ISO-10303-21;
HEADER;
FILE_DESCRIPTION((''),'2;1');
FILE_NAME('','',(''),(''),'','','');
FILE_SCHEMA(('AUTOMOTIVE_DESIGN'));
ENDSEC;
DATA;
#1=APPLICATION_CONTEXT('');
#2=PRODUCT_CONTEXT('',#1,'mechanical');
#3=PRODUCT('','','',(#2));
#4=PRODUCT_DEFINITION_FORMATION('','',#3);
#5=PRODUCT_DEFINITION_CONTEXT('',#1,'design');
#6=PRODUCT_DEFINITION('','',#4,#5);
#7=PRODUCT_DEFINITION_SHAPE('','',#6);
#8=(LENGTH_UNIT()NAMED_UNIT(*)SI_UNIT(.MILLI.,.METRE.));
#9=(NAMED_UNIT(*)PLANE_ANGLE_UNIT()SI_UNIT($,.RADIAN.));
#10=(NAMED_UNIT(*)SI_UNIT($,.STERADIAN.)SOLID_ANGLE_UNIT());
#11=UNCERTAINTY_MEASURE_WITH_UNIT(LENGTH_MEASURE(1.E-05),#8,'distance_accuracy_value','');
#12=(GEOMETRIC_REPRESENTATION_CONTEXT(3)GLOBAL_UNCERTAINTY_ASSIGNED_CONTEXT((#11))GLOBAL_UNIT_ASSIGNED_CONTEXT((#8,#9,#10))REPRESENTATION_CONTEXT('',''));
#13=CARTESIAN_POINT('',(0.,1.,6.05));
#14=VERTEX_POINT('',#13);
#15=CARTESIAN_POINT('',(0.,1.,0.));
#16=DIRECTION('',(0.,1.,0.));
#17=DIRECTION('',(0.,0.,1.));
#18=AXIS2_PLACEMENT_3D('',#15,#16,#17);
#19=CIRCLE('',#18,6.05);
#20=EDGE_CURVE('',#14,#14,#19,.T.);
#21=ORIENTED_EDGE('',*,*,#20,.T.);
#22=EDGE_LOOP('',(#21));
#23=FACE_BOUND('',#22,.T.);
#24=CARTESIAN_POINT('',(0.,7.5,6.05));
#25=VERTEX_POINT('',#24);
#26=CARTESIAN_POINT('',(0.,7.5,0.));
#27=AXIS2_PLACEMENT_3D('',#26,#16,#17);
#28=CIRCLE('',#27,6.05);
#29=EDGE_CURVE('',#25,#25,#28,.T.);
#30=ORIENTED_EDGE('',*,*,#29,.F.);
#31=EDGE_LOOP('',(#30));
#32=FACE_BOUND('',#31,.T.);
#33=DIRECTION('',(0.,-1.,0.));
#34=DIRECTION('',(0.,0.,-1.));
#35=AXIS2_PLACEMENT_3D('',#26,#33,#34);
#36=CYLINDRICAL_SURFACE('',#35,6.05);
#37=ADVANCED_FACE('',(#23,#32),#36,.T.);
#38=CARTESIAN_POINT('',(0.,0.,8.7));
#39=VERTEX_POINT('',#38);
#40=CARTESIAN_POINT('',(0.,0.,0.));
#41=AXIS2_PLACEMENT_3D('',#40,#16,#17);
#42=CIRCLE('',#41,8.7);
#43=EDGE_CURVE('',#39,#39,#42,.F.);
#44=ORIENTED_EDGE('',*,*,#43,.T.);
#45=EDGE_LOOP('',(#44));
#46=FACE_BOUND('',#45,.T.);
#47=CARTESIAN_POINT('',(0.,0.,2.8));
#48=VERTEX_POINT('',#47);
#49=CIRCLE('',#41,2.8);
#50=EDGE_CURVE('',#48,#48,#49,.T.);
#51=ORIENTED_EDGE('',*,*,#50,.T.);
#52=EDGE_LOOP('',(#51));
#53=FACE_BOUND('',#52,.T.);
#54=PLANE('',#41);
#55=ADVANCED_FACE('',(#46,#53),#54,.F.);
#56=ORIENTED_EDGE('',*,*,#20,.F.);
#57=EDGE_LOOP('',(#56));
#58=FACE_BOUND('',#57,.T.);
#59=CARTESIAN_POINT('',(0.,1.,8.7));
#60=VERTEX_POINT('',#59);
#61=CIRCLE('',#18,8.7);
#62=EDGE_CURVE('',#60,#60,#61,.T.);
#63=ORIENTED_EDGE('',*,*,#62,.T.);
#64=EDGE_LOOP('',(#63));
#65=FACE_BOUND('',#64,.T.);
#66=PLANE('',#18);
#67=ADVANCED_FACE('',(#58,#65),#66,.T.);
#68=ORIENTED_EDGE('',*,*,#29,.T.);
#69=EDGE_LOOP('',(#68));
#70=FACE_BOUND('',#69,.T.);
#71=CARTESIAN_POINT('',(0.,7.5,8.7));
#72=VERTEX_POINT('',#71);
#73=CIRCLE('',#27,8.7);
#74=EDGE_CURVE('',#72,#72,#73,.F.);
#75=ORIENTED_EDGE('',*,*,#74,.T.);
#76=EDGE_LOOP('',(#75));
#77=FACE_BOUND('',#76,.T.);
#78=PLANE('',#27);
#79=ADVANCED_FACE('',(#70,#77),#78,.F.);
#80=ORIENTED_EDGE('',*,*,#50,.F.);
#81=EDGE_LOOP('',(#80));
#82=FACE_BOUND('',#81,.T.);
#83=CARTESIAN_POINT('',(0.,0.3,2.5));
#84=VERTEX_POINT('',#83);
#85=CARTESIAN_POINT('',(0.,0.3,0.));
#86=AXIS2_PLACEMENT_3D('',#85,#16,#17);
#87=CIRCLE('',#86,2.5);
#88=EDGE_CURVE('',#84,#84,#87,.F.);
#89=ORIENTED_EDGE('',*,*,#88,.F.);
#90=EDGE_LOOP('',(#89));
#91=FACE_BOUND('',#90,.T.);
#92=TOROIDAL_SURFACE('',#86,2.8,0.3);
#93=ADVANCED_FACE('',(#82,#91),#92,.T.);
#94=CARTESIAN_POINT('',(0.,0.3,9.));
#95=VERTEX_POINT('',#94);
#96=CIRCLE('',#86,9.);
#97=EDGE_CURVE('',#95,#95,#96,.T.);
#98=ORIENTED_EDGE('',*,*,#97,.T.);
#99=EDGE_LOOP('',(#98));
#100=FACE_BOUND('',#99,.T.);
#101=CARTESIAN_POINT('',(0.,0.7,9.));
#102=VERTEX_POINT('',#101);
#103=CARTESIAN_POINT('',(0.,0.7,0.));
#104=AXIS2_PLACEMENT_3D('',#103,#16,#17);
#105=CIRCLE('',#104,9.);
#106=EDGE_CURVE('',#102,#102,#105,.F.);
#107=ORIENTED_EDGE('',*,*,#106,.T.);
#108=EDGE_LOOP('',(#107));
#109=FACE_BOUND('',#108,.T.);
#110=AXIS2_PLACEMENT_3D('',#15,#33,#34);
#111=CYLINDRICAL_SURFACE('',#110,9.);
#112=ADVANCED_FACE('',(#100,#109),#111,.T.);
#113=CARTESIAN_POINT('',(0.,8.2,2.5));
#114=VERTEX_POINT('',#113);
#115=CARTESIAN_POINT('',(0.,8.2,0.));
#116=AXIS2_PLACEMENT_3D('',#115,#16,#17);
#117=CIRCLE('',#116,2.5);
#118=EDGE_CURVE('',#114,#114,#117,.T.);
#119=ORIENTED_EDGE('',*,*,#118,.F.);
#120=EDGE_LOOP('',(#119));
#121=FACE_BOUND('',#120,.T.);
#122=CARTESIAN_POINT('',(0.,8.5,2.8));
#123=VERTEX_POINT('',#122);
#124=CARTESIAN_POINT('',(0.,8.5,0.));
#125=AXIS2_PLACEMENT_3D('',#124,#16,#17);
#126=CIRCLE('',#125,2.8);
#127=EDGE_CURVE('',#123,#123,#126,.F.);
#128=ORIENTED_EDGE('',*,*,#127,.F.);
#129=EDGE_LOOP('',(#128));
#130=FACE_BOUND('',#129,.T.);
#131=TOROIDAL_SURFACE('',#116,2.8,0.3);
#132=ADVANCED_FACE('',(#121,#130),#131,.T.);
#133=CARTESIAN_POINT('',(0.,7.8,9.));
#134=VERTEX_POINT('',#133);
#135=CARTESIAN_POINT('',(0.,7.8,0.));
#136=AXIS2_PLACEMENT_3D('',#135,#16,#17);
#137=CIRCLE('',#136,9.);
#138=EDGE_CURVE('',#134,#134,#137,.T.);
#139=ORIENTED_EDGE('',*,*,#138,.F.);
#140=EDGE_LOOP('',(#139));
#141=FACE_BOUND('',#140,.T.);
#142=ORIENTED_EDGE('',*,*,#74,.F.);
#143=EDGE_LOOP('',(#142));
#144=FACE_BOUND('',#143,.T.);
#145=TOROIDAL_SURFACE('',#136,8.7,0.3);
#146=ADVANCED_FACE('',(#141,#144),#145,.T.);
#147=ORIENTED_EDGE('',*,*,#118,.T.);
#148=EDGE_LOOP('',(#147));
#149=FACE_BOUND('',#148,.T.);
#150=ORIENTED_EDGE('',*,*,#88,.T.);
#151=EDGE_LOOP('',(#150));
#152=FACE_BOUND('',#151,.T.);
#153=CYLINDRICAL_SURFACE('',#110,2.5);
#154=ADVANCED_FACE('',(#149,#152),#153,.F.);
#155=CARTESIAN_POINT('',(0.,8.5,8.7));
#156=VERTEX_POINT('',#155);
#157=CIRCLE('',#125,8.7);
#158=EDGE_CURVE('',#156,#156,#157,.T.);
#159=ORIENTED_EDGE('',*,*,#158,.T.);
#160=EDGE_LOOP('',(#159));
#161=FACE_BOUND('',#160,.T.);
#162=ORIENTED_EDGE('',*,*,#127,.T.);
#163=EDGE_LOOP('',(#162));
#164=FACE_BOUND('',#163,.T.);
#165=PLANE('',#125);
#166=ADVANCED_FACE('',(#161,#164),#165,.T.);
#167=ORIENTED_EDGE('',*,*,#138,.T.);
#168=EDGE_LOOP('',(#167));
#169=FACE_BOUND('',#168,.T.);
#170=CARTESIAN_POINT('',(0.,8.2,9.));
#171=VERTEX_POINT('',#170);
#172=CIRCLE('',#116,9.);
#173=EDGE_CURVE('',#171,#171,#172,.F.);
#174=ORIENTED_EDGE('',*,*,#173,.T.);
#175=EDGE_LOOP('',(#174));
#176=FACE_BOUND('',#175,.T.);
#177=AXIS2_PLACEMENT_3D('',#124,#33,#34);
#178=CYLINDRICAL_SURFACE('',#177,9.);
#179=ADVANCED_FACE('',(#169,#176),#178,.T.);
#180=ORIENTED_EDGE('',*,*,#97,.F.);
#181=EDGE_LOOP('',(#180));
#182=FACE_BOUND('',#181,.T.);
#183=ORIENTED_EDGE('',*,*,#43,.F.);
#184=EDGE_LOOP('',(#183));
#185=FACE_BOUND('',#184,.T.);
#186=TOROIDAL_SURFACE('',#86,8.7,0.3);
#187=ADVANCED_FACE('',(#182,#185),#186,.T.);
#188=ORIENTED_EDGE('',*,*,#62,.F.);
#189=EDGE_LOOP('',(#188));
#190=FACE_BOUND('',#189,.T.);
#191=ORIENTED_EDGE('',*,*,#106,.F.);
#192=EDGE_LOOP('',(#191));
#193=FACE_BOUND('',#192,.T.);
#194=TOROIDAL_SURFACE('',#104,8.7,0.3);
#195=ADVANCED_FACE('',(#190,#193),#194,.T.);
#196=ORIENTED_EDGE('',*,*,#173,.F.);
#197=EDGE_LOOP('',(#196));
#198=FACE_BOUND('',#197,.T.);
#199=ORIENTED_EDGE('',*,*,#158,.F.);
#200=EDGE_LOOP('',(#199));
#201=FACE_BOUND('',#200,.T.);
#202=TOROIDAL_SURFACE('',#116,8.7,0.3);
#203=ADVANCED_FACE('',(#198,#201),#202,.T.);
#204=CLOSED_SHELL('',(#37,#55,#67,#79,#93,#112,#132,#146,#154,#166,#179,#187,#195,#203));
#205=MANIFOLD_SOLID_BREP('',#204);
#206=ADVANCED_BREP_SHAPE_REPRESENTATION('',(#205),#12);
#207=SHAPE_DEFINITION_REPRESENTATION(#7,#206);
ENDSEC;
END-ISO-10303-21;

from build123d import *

# Parameters (mm, degrees)
SKETCH1_R           = 9
SKETCH1_R_2         = 2.5
BOSS_EXTRUDE1_DEPTH = 1
SKETCH2_R           = 6.05
SKETCH2_R_2         = 2.5
BOSS_EXTRUDE2_DEPTH = 6.5
SKETCH3_R           = 9
SKETCH3_R_2         = 2.5
BOSS_EXTRUDE3_DEPTH = 1
FILLET1_R           = 0.3


with BuildPart() as part:
    # Sketch1 → Boss-Extrude1 (new body)
    with BuildSketch(Plane(origin=(0, 0, 0), x_dir=(1, 0, 0), z_dir=(0, 1, 0))):
        Circle(SKETCH1_R)
        Circle(SKETCH1_R_2, mode=Mode.SUBTRACT)
    extrude(amount=BOSS_EXTRUDE1_DEPTH)

    # Sketch2 → Boss-Extrude2 (add)
    with BuildSketch(Plane(origin=(0, 1, 0), x_dir=(1, 0, 0), z_dir=(0, 1, 0))):
        Circle(SKETCH2_R)
        Circle(SKETCH2_R_2, mode=Mode.SUBTRACT)
    extrude(amount=BOSS_EXTRUDE2_DEPTH)

    # Sketch3 → Boss-Extrude3 (add)
    with BuildSketch(Plane(origin=(0, 7.5, 0), x_dir=(1, 0, 0), z_dir=(0, 1, 0))):
        Circle(SKETCH3_R)
        Circle(SKETCH3_R_2, mode=Mode.SUBTRACT)
    extrude(amount=BOSS_EXTRUDE3_DEPTH)

    # Fillet1
    fillet1_edges = [part.edges().sort_by_distance(p)[0] for p in [
        (-9, 8.5, 0),
        (-9, 7.5, 0),
        (-2.5, 8.5, 0),
        (-9, 0, 0),
        (-9, 1, 0),
        (-2.5, 0, 0),
    ]]
    fillet(fillet1_edges, radius=FILLET1_R)


solid = part.part
